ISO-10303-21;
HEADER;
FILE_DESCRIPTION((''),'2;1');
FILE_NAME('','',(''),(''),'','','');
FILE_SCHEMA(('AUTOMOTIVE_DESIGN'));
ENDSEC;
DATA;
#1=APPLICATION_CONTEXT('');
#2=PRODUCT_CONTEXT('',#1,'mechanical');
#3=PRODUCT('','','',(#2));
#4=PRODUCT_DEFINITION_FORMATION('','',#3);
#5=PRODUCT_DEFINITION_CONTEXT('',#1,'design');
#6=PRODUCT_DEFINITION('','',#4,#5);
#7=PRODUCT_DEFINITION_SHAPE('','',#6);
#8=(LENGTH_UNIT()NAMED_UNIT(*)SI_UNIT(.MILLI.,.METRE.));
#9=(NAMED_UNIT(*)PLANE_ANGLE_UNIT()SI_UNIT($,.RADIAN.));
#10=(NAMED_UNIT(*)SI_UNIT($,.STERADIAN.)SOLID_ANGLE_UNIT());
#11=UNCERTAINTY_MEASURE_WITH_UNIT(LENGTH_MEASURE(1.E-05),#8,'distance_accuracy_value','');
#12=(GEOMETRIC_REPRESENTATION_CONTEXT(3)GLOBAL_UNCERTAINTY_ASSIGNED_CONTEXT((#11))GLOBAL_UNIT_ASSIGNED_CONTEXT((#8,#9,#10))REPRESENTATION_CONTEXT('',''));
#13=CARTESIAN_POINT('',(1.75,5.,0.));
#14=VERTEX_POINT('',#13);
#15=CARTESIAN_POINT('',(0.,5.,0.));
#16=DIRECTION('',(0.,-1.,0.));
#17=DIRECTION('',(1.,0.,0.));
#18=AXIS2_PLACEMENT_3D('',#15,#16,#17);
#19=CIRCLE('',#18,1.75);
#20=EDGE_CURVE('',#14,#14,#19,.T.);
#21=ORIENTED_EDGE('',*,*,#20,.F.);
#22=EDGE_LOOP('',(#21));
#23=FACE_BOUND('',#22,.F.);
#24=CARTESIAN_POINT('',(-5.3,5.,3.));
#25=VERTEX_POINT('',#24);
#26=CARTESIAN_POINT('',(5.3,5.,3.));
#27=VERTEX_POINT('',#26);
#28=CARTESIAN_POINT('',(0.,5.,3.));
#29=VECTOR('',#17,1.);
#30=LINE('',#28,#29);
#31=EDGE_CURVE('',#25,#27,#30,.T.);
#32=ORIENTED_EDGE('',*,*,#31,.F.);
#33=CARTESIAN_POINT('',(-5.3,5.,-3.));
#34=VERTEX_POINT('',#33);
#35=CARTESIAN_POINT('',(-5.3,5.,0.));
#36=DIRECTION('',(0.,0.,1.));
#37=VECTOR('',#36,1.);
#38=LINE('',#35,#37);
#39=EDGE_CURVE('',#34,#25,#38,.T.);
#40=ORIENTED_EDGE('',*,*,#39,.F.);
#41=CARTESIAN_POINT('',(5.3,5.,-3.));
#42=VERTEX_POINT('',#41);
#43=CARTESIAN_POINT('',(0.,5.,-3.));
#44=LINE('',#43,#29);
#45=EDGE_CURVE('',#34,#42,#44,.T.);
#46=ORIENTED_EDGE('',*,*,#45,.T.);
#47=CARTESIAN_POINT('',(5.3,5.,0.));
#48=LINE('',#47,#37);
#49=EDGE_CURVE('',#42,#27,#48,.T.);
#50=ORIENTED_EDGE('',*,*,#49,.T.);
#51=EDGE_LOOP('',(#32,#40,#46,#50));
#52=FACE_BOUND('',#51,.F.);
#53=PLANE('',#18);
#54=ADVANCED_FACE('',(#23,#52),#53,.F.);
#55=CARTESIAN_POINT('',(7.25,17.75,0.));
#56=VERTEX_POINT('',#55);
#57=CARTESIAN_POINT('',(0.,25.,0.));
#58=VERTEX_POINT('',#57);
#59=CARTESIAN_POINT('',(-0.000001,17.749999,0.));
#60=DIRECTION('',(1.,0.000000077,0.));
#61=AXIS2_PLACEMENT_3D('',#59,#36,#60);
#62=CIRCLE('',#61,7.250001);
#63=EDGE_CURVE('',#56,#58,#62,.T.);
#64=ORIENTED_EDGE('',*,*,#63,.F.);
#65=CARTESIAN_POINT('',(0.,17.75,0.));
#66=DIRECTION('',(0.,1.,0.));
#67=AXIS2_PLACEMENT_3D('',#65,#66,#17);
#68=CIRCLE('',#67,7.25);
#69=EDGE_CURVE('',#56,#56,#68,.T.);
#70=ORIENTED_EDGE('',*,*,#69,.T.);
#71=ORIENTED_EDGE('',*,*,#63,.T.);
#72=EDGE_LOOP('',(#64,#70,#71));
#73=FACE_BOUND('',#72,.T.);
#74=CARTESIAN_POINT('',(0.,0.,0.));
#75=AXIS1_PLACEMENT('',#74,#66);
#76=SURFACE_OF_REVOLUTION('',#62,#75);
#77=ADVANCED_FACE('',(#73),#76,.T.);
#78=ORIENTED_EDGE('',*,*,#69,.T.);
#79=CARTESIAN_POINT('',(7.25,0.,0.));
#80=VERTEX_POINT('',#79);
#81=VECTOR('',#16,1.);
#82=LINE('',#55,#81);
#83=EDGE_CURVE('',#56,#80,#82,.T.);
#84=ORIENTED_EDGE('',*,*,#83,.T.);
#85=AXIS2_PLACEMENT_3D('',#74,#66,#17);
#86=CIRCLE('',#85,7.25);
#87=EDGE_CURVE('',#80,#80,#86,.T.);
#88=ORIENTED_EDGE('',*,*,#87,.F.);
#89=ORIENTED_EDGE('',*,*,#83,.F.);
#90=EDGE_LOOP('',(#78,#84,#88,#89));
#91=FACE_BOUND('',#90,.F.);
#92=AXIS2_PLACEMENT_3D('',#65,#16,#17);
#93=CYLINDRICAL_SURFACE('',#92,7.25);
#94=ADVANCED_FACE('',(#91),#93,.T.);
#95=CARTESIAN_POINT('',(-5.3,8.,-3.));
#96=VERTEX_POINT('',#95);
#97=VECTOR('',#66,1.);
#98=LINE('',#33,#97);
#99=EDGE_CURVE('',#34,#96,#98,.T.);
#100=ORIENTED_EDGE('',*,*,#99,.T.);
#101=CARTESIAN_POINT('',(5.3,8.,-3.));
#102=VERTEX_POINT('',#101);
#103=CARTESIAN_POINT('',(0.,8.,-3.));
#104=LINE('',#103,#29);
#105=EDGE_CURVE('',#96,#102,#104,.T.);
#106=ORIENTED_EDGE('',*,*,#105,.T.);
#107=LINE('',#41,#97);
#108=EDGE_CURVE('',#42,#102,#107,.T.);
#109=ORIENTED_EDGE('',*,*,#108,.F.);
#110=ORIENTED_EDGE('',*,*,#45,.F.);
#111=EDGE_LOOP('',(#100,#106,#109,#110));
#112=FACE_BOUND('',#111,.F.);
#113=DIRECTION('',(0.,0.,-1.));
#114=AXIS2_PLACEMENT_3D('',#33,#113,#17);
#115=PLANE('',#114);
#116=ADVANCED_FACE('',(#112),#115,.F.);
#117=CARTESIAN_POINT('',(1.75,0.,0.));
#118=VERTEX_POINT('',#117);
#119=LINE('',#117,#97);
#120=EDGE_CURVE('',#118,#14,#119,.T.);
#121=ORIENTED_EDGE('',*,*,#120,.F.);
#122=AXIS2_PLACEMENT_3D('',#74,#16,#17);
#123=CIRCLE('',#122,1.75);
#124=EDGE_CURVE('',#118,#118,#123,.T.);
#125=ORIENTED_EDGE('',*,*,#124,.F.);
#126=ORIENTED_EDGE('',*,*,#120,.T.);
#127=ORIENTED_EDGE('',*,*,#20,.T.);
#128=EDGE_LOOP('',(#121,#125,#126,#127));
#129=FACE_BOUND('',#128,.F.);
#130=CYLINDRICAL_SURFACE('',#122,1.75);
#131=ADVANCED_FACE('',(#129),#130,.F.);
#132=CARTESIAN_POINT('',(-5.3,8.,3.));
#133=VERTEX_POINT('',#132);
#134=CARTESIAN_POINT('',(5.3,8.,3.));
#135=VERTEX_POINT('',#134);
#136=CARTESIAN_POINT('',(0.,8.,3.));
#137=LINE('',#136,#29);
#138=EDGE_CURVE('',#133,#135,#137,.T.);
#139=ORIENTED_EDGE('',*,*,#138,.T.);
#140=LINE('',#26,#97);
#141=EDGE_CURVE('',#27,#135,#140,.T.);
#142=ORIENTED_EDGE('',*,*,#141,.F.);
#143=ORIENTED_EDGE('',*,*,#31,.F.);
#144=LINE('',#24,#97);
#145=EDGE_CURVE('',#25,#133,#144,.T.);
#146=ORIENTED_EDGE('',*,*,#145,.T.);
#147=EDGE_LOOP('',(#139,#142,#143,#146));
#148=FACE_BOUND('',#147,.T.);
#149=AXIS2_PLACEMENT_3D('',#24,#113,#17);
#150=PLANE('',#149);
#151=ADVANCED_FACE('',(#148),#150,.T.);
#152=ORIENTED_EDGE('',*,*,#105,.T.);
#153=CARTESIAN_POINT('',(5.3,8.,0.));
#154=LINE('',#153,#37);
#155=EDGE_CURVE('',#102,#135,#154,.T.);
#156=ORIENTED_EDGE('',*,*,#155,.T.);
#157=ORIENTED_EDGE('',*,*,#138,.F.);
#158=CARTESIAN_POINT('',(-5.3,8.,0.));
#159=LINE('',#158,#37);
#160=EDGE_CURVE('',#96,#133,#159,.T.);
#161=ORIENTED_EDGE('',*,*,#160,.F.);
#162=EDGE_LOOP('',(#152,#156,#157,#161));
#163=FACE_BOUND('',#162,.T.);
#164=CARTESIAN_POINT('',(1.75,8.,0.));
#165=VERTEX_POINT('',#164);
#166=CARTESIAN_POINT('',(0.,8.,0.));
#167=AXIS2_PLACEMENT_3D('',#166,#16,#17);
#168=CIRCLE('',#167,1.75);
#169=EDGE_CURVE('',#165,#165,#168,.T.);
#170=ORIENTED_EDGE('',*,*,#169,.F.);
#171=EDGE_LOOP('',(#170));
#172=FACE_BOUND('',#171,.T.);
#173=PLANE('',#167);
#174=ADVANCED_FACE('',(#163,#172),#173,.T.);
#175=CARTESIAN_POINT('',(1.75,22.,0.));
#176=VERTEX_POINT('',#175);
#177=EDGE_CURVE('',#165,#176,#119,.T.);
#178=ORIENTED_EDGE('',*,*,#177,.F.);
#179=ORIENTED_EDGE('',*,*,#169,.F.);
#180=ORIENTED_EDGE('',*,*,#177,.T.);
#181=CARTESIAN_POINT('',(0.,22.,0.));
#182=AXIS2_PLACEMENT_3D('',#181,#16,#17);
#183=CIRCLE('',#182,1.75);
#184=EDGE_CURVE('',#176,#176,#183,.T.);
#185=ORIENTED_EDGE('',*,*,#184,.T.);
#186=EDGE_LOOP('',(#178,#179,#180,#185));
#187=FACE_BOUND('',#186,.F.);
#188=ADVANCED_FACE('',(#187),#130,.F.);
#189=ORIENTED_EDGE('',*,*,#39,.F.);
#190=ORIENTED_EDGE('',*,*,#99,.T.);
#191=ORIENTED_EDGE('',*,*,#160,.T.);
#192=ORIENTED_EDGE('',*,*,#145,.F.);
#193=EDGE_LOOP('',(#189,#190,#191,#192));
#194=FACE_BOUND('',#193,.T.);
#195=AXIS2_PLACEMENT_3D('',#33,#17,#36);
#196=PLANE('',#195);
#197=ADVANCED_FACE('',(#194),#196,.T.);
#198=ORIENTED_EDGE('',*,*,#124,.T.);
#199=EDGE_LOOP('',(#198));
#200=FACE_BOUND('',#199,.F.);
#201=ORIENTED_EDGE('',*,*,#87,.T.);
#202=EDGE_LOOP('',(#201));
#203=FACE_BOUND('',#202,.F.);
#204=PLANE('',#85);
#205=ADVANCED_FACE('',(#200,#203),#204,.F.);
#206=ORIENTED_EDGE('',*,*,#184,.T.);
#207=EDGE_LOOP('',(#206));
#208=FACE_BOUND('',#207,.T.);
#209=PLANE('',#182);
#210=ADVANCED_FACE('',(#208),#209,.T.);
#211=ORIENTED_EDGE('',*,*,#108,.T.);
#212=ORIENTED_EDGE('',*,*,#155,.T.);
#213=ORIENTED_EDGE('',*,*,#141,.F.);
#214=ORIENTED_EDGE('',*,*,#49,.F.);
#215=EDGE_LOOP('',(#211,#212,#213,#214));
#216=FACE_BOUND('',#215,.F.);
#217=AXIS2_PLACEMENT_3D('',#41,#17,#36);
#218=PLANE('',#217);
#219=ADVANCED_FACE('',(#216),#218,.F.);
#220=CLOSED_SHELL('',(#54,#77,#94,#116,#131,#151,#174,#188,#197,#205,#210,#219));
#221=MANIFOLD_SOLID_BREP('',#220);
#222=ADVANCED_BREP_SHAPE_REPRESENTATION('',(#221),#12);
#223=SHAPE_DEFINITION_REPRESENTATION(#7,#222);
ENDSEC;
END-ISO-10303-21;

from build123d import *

# Parameters (mm, degrees)
SKETCH001_W     = 10.6
SKETCH001_H     = 6
POCKET_DEPTH    = 3
SKETCH002_R     = 1.75
POCKET001_DEPTH = 22


with BuildPart() as part:
    # Sketch → Revolution (revolve)
    with BuildSketch(Plane.XY):
        with BuildLine():
            Line((7.25, 17.75), (7.25, 0))
            Line((7.25, 0), (0, 0))
            Line((0, 0), (0, 25))
            ThreePointArc((7.25, 17.75), (5.126524, 22.876524), (0, 25))
        make_face()
    revolve(axis=Axis((0, 0, 0), (0, 1, 0)))

    # Sketch001 (on DatumPlane) → Pocket (cut)
    with BuildSketch(Plane.XZ.offset(-5)):
        Rectangle(SKETCH001_W, SKETCH001_H)
    extrude(amount=-POCKET_DEPTH, mode=Mode.SUBTRACT)

    # Sketch002 → Pocket001 (cut)
    with BuildSketch(Plane.XZ):
        Circle(SKETCH002_R)
    extrude(amount=-POCKET001_DEPTH, mode=Mode.SUBTRACT)


solid = part.part
